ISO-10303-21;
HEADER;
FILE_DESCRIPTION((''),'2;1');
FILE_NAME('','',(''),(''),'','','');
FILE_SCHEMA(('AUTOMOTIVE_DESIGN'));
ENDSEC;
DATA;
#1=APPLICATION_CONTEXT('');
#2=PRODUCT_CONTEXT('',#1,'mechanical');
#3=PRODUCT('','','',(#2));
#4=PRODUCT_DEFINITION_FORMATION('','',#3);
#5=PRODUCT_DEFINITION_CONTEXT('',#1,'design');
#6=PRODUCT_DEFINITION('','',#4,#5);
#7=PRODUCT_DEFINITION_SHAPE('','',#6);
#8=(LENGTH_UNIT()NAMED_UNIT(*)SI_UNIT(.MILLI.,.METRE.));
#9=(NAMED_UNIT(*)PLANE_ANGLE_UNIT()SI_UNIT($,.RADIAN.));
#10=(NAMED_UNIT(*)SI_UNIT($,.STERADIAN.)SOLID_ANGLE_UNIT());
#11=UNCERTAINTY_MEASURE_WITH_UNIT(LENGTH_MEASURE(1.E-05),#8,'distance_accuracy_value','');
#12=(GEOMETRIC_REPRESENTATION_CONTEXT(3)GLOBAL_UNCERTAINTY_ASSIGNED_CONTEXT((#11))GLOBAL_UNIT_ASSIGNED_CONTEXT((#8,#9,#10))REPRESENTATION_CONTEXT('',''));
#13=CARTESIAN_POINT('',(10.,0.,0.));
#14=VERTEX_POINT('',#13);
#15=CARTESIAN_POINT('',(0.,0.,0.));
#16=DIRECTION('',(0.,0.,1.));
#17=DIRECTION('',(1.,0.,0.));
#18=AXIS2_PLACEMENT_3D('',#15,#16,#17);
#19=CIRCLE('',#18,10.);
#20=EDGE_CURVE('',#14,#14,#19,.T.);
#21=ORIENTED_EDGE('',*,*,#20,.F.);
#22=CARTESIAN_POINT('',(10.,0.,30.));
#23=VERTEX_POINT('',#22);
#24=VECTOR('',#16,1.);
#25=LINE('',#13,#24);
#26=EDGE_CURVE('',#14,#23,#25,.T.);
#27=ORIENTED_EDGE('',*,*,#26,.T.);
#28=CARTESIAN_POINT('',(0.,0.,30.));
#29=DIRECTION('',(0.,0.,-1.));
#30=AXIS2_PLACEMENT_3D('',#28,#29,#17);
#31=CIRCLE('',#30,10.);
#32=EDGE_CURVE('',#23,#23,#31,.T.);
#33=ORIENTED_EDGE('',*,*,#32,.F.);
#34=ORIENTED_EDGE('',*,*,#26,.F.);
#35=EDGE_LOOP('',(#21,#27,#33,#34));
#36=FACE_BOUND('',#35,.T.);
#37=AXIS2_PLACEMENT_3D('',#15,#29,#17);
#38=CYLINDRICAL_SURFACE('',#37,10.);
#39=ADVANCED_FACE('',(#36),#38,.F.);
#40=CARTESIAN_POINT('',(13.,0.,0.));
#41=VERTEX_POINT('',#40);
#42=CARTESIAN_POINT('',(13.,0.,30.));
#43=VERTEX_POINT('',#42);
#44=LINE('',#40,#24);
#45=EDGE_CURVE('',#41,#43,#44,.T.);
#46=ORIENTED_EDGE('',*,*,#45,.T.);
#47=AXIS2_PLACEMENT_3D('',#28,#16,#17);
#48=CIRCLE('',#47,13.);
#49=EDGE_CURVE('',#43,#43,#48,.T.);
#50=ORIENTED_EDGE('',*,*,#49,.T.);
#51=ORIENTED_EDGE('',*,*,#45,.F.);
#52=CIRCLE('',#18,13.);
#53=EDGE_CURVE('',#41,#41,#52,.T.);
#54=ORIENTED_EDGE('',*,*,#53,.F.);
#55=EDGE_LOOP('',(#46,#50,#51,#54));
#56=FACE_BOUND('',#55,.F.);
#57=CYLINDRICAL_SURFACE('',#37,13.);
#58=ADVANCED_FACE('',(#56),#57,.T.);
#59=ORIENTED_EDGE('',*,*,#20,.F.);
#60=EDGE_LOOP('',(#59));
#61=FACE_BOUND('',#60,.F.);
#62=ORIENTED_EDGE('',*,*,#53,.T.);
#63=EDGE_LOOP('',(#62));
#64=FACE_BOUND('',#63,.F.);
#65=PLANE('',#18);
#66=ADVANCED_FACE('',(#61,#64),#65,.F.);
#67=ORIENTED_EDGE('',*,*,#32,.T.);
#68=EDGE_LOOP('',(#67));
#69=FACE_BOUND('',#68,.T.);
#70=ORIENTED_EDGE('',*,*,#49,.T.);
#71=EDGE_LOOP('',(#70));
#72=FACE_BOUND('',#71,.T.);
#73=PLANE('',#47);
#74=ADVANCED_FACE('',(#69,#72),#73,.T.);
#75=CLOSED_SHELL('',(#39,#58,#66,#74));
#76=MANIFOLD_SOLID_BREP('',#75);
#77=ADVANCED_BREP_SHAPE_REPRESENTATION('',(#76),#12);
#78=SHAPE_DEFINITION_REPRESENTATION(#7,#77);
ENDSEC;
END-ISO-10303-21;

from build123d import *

# Parameters (mm, degrees)
SKETCH_R     = 13
PAD_DEPTH    = 30
SKETCH001_R  = 10
POCKET_DEPTH = 30.001


with BuildPart() as part:
    # Sketch → Pad (new body)
    with BuildSketch(Plane.XY):
        Circle(SKETCH_R)
    extrude(amount=PAD_DEPTH)

    # Sketch001 → Pocket (cut, through all)
    with BuildSketch(Plane.XY):
        Circle(SKETCH001_R)
    extrude(amount=POCKET_DEPTH, mode=Mode.SUBTRACT)


solid = part.part
